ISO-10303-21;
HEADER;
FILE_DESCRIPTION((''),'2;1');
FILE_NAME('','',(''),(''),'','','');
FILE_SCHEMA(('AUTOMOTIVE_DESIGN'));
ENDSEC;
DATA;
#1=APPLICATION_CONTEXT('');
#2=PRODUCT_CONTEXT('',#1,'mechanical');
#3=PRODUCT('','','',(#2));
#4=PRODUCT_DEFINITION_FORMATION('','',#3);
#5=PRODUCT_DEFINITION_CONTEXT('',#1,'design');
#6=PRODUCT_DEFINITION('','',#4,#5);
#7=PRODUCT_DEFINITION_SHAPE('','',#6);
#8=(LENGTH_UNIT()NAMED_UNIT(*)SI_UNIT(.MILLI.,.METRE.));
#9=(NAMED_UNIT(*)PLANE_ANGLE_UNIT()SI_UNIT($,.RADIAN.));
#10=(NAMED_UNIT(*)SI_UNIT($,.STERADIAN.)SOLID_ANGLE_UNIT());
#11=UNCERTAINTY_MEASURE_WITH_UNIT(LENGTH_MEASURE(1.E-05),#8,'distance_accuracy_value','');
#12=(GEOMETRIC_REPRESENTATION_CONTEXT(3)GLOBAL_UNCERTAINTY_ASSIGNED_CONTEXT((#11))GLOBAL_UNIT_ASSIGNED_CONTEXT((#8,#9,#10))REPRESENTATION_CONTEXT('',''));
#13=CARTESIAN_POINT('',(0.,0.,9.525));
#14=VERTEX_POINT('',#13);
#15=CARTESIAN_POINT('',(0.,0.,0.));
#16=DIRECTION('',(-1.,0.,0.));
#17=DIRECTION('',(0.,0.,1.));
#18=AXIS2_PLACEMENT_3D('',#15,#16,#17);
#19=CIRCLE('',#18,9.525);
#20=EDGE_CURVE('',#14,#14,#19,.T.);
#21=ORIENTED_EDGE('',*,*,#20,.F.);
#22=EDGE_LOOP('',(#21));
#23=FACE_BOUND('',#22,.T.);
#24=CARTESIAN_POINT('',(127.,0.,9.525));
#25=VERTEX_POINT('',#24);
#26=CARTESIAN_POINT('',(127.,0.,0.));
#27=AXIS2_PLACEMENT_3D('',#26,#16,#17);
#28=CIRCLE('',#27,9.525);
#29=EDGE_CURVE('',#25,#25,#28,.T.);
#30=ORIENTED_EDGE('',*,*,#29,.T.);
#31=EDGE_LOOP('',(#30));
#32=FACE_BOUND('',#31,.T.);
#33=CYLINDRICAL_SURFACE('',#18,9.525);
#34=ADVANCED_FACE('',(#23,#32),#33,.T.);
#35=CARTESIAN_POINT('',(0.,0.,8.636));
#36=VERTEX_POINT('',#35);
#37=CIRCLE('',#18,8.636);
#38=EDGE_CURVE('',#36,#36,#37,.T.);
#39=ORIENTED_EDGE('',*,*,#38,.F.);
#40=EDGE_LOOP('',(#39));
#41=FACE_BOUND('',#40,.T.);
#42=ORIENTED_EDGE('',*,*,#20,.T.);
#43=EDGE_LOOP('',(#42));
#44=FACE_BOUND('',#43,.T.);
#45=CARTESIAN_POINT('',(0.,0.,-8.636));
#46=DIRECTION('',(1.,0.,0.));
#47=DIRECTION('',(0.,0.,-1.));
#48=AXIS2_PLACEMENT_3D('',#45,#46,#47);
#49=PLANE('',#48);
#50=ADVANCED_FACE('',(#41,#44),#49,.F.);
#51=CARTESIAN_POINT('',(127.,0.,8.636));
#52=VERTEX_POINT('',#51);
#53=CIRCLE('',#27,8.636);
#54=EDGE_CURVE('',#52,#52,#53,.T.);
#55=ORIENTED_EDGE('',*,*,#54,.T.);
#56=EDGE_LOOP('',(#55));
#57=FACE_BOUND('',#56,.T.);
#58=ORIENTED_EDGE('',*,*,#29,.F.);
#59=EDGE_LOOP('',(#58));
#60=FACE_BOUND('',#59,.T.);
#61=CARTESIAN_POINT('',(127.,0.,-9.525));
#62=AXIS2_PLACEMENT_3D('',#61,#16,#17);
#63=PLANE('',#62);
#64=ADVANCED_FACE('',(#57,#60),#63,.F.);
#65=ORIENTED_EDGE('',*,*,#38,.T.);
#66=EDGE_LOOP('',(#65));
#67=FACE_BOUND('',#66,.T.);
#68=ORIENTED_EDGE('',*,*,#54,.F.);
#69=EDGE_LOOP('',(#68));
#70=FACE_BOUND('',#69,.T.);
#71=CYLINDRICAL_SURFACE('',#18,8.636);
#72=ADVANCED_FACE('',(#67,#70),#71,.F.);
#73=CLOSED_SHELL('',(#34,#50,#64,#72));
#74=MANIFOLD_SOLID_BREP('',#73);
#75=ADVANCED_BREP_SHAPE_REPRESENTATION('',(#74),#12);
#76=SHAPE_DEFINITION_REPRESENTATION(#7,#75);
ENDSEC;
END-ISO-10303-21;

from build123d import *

# Parameters (mm, degrees)
SKETCH1_W = 127
SKETCH1_H = 0.889


with BuildPart() as part:
    # Sketch1 → Revolve1 (revolve)
    with BuildSketch(Plane(origin=(0, 0, 0), x_dir=(1, 0, 0), z_dir=(0, 1, 0))):
        with Locations((63.5, 9.0805)):
            Rectangle(SKETCH1_W, SKETCH1_H)
    revolve(axis=Axis((0, 0, 0), (1, 0, 0)))


solid = part.part
